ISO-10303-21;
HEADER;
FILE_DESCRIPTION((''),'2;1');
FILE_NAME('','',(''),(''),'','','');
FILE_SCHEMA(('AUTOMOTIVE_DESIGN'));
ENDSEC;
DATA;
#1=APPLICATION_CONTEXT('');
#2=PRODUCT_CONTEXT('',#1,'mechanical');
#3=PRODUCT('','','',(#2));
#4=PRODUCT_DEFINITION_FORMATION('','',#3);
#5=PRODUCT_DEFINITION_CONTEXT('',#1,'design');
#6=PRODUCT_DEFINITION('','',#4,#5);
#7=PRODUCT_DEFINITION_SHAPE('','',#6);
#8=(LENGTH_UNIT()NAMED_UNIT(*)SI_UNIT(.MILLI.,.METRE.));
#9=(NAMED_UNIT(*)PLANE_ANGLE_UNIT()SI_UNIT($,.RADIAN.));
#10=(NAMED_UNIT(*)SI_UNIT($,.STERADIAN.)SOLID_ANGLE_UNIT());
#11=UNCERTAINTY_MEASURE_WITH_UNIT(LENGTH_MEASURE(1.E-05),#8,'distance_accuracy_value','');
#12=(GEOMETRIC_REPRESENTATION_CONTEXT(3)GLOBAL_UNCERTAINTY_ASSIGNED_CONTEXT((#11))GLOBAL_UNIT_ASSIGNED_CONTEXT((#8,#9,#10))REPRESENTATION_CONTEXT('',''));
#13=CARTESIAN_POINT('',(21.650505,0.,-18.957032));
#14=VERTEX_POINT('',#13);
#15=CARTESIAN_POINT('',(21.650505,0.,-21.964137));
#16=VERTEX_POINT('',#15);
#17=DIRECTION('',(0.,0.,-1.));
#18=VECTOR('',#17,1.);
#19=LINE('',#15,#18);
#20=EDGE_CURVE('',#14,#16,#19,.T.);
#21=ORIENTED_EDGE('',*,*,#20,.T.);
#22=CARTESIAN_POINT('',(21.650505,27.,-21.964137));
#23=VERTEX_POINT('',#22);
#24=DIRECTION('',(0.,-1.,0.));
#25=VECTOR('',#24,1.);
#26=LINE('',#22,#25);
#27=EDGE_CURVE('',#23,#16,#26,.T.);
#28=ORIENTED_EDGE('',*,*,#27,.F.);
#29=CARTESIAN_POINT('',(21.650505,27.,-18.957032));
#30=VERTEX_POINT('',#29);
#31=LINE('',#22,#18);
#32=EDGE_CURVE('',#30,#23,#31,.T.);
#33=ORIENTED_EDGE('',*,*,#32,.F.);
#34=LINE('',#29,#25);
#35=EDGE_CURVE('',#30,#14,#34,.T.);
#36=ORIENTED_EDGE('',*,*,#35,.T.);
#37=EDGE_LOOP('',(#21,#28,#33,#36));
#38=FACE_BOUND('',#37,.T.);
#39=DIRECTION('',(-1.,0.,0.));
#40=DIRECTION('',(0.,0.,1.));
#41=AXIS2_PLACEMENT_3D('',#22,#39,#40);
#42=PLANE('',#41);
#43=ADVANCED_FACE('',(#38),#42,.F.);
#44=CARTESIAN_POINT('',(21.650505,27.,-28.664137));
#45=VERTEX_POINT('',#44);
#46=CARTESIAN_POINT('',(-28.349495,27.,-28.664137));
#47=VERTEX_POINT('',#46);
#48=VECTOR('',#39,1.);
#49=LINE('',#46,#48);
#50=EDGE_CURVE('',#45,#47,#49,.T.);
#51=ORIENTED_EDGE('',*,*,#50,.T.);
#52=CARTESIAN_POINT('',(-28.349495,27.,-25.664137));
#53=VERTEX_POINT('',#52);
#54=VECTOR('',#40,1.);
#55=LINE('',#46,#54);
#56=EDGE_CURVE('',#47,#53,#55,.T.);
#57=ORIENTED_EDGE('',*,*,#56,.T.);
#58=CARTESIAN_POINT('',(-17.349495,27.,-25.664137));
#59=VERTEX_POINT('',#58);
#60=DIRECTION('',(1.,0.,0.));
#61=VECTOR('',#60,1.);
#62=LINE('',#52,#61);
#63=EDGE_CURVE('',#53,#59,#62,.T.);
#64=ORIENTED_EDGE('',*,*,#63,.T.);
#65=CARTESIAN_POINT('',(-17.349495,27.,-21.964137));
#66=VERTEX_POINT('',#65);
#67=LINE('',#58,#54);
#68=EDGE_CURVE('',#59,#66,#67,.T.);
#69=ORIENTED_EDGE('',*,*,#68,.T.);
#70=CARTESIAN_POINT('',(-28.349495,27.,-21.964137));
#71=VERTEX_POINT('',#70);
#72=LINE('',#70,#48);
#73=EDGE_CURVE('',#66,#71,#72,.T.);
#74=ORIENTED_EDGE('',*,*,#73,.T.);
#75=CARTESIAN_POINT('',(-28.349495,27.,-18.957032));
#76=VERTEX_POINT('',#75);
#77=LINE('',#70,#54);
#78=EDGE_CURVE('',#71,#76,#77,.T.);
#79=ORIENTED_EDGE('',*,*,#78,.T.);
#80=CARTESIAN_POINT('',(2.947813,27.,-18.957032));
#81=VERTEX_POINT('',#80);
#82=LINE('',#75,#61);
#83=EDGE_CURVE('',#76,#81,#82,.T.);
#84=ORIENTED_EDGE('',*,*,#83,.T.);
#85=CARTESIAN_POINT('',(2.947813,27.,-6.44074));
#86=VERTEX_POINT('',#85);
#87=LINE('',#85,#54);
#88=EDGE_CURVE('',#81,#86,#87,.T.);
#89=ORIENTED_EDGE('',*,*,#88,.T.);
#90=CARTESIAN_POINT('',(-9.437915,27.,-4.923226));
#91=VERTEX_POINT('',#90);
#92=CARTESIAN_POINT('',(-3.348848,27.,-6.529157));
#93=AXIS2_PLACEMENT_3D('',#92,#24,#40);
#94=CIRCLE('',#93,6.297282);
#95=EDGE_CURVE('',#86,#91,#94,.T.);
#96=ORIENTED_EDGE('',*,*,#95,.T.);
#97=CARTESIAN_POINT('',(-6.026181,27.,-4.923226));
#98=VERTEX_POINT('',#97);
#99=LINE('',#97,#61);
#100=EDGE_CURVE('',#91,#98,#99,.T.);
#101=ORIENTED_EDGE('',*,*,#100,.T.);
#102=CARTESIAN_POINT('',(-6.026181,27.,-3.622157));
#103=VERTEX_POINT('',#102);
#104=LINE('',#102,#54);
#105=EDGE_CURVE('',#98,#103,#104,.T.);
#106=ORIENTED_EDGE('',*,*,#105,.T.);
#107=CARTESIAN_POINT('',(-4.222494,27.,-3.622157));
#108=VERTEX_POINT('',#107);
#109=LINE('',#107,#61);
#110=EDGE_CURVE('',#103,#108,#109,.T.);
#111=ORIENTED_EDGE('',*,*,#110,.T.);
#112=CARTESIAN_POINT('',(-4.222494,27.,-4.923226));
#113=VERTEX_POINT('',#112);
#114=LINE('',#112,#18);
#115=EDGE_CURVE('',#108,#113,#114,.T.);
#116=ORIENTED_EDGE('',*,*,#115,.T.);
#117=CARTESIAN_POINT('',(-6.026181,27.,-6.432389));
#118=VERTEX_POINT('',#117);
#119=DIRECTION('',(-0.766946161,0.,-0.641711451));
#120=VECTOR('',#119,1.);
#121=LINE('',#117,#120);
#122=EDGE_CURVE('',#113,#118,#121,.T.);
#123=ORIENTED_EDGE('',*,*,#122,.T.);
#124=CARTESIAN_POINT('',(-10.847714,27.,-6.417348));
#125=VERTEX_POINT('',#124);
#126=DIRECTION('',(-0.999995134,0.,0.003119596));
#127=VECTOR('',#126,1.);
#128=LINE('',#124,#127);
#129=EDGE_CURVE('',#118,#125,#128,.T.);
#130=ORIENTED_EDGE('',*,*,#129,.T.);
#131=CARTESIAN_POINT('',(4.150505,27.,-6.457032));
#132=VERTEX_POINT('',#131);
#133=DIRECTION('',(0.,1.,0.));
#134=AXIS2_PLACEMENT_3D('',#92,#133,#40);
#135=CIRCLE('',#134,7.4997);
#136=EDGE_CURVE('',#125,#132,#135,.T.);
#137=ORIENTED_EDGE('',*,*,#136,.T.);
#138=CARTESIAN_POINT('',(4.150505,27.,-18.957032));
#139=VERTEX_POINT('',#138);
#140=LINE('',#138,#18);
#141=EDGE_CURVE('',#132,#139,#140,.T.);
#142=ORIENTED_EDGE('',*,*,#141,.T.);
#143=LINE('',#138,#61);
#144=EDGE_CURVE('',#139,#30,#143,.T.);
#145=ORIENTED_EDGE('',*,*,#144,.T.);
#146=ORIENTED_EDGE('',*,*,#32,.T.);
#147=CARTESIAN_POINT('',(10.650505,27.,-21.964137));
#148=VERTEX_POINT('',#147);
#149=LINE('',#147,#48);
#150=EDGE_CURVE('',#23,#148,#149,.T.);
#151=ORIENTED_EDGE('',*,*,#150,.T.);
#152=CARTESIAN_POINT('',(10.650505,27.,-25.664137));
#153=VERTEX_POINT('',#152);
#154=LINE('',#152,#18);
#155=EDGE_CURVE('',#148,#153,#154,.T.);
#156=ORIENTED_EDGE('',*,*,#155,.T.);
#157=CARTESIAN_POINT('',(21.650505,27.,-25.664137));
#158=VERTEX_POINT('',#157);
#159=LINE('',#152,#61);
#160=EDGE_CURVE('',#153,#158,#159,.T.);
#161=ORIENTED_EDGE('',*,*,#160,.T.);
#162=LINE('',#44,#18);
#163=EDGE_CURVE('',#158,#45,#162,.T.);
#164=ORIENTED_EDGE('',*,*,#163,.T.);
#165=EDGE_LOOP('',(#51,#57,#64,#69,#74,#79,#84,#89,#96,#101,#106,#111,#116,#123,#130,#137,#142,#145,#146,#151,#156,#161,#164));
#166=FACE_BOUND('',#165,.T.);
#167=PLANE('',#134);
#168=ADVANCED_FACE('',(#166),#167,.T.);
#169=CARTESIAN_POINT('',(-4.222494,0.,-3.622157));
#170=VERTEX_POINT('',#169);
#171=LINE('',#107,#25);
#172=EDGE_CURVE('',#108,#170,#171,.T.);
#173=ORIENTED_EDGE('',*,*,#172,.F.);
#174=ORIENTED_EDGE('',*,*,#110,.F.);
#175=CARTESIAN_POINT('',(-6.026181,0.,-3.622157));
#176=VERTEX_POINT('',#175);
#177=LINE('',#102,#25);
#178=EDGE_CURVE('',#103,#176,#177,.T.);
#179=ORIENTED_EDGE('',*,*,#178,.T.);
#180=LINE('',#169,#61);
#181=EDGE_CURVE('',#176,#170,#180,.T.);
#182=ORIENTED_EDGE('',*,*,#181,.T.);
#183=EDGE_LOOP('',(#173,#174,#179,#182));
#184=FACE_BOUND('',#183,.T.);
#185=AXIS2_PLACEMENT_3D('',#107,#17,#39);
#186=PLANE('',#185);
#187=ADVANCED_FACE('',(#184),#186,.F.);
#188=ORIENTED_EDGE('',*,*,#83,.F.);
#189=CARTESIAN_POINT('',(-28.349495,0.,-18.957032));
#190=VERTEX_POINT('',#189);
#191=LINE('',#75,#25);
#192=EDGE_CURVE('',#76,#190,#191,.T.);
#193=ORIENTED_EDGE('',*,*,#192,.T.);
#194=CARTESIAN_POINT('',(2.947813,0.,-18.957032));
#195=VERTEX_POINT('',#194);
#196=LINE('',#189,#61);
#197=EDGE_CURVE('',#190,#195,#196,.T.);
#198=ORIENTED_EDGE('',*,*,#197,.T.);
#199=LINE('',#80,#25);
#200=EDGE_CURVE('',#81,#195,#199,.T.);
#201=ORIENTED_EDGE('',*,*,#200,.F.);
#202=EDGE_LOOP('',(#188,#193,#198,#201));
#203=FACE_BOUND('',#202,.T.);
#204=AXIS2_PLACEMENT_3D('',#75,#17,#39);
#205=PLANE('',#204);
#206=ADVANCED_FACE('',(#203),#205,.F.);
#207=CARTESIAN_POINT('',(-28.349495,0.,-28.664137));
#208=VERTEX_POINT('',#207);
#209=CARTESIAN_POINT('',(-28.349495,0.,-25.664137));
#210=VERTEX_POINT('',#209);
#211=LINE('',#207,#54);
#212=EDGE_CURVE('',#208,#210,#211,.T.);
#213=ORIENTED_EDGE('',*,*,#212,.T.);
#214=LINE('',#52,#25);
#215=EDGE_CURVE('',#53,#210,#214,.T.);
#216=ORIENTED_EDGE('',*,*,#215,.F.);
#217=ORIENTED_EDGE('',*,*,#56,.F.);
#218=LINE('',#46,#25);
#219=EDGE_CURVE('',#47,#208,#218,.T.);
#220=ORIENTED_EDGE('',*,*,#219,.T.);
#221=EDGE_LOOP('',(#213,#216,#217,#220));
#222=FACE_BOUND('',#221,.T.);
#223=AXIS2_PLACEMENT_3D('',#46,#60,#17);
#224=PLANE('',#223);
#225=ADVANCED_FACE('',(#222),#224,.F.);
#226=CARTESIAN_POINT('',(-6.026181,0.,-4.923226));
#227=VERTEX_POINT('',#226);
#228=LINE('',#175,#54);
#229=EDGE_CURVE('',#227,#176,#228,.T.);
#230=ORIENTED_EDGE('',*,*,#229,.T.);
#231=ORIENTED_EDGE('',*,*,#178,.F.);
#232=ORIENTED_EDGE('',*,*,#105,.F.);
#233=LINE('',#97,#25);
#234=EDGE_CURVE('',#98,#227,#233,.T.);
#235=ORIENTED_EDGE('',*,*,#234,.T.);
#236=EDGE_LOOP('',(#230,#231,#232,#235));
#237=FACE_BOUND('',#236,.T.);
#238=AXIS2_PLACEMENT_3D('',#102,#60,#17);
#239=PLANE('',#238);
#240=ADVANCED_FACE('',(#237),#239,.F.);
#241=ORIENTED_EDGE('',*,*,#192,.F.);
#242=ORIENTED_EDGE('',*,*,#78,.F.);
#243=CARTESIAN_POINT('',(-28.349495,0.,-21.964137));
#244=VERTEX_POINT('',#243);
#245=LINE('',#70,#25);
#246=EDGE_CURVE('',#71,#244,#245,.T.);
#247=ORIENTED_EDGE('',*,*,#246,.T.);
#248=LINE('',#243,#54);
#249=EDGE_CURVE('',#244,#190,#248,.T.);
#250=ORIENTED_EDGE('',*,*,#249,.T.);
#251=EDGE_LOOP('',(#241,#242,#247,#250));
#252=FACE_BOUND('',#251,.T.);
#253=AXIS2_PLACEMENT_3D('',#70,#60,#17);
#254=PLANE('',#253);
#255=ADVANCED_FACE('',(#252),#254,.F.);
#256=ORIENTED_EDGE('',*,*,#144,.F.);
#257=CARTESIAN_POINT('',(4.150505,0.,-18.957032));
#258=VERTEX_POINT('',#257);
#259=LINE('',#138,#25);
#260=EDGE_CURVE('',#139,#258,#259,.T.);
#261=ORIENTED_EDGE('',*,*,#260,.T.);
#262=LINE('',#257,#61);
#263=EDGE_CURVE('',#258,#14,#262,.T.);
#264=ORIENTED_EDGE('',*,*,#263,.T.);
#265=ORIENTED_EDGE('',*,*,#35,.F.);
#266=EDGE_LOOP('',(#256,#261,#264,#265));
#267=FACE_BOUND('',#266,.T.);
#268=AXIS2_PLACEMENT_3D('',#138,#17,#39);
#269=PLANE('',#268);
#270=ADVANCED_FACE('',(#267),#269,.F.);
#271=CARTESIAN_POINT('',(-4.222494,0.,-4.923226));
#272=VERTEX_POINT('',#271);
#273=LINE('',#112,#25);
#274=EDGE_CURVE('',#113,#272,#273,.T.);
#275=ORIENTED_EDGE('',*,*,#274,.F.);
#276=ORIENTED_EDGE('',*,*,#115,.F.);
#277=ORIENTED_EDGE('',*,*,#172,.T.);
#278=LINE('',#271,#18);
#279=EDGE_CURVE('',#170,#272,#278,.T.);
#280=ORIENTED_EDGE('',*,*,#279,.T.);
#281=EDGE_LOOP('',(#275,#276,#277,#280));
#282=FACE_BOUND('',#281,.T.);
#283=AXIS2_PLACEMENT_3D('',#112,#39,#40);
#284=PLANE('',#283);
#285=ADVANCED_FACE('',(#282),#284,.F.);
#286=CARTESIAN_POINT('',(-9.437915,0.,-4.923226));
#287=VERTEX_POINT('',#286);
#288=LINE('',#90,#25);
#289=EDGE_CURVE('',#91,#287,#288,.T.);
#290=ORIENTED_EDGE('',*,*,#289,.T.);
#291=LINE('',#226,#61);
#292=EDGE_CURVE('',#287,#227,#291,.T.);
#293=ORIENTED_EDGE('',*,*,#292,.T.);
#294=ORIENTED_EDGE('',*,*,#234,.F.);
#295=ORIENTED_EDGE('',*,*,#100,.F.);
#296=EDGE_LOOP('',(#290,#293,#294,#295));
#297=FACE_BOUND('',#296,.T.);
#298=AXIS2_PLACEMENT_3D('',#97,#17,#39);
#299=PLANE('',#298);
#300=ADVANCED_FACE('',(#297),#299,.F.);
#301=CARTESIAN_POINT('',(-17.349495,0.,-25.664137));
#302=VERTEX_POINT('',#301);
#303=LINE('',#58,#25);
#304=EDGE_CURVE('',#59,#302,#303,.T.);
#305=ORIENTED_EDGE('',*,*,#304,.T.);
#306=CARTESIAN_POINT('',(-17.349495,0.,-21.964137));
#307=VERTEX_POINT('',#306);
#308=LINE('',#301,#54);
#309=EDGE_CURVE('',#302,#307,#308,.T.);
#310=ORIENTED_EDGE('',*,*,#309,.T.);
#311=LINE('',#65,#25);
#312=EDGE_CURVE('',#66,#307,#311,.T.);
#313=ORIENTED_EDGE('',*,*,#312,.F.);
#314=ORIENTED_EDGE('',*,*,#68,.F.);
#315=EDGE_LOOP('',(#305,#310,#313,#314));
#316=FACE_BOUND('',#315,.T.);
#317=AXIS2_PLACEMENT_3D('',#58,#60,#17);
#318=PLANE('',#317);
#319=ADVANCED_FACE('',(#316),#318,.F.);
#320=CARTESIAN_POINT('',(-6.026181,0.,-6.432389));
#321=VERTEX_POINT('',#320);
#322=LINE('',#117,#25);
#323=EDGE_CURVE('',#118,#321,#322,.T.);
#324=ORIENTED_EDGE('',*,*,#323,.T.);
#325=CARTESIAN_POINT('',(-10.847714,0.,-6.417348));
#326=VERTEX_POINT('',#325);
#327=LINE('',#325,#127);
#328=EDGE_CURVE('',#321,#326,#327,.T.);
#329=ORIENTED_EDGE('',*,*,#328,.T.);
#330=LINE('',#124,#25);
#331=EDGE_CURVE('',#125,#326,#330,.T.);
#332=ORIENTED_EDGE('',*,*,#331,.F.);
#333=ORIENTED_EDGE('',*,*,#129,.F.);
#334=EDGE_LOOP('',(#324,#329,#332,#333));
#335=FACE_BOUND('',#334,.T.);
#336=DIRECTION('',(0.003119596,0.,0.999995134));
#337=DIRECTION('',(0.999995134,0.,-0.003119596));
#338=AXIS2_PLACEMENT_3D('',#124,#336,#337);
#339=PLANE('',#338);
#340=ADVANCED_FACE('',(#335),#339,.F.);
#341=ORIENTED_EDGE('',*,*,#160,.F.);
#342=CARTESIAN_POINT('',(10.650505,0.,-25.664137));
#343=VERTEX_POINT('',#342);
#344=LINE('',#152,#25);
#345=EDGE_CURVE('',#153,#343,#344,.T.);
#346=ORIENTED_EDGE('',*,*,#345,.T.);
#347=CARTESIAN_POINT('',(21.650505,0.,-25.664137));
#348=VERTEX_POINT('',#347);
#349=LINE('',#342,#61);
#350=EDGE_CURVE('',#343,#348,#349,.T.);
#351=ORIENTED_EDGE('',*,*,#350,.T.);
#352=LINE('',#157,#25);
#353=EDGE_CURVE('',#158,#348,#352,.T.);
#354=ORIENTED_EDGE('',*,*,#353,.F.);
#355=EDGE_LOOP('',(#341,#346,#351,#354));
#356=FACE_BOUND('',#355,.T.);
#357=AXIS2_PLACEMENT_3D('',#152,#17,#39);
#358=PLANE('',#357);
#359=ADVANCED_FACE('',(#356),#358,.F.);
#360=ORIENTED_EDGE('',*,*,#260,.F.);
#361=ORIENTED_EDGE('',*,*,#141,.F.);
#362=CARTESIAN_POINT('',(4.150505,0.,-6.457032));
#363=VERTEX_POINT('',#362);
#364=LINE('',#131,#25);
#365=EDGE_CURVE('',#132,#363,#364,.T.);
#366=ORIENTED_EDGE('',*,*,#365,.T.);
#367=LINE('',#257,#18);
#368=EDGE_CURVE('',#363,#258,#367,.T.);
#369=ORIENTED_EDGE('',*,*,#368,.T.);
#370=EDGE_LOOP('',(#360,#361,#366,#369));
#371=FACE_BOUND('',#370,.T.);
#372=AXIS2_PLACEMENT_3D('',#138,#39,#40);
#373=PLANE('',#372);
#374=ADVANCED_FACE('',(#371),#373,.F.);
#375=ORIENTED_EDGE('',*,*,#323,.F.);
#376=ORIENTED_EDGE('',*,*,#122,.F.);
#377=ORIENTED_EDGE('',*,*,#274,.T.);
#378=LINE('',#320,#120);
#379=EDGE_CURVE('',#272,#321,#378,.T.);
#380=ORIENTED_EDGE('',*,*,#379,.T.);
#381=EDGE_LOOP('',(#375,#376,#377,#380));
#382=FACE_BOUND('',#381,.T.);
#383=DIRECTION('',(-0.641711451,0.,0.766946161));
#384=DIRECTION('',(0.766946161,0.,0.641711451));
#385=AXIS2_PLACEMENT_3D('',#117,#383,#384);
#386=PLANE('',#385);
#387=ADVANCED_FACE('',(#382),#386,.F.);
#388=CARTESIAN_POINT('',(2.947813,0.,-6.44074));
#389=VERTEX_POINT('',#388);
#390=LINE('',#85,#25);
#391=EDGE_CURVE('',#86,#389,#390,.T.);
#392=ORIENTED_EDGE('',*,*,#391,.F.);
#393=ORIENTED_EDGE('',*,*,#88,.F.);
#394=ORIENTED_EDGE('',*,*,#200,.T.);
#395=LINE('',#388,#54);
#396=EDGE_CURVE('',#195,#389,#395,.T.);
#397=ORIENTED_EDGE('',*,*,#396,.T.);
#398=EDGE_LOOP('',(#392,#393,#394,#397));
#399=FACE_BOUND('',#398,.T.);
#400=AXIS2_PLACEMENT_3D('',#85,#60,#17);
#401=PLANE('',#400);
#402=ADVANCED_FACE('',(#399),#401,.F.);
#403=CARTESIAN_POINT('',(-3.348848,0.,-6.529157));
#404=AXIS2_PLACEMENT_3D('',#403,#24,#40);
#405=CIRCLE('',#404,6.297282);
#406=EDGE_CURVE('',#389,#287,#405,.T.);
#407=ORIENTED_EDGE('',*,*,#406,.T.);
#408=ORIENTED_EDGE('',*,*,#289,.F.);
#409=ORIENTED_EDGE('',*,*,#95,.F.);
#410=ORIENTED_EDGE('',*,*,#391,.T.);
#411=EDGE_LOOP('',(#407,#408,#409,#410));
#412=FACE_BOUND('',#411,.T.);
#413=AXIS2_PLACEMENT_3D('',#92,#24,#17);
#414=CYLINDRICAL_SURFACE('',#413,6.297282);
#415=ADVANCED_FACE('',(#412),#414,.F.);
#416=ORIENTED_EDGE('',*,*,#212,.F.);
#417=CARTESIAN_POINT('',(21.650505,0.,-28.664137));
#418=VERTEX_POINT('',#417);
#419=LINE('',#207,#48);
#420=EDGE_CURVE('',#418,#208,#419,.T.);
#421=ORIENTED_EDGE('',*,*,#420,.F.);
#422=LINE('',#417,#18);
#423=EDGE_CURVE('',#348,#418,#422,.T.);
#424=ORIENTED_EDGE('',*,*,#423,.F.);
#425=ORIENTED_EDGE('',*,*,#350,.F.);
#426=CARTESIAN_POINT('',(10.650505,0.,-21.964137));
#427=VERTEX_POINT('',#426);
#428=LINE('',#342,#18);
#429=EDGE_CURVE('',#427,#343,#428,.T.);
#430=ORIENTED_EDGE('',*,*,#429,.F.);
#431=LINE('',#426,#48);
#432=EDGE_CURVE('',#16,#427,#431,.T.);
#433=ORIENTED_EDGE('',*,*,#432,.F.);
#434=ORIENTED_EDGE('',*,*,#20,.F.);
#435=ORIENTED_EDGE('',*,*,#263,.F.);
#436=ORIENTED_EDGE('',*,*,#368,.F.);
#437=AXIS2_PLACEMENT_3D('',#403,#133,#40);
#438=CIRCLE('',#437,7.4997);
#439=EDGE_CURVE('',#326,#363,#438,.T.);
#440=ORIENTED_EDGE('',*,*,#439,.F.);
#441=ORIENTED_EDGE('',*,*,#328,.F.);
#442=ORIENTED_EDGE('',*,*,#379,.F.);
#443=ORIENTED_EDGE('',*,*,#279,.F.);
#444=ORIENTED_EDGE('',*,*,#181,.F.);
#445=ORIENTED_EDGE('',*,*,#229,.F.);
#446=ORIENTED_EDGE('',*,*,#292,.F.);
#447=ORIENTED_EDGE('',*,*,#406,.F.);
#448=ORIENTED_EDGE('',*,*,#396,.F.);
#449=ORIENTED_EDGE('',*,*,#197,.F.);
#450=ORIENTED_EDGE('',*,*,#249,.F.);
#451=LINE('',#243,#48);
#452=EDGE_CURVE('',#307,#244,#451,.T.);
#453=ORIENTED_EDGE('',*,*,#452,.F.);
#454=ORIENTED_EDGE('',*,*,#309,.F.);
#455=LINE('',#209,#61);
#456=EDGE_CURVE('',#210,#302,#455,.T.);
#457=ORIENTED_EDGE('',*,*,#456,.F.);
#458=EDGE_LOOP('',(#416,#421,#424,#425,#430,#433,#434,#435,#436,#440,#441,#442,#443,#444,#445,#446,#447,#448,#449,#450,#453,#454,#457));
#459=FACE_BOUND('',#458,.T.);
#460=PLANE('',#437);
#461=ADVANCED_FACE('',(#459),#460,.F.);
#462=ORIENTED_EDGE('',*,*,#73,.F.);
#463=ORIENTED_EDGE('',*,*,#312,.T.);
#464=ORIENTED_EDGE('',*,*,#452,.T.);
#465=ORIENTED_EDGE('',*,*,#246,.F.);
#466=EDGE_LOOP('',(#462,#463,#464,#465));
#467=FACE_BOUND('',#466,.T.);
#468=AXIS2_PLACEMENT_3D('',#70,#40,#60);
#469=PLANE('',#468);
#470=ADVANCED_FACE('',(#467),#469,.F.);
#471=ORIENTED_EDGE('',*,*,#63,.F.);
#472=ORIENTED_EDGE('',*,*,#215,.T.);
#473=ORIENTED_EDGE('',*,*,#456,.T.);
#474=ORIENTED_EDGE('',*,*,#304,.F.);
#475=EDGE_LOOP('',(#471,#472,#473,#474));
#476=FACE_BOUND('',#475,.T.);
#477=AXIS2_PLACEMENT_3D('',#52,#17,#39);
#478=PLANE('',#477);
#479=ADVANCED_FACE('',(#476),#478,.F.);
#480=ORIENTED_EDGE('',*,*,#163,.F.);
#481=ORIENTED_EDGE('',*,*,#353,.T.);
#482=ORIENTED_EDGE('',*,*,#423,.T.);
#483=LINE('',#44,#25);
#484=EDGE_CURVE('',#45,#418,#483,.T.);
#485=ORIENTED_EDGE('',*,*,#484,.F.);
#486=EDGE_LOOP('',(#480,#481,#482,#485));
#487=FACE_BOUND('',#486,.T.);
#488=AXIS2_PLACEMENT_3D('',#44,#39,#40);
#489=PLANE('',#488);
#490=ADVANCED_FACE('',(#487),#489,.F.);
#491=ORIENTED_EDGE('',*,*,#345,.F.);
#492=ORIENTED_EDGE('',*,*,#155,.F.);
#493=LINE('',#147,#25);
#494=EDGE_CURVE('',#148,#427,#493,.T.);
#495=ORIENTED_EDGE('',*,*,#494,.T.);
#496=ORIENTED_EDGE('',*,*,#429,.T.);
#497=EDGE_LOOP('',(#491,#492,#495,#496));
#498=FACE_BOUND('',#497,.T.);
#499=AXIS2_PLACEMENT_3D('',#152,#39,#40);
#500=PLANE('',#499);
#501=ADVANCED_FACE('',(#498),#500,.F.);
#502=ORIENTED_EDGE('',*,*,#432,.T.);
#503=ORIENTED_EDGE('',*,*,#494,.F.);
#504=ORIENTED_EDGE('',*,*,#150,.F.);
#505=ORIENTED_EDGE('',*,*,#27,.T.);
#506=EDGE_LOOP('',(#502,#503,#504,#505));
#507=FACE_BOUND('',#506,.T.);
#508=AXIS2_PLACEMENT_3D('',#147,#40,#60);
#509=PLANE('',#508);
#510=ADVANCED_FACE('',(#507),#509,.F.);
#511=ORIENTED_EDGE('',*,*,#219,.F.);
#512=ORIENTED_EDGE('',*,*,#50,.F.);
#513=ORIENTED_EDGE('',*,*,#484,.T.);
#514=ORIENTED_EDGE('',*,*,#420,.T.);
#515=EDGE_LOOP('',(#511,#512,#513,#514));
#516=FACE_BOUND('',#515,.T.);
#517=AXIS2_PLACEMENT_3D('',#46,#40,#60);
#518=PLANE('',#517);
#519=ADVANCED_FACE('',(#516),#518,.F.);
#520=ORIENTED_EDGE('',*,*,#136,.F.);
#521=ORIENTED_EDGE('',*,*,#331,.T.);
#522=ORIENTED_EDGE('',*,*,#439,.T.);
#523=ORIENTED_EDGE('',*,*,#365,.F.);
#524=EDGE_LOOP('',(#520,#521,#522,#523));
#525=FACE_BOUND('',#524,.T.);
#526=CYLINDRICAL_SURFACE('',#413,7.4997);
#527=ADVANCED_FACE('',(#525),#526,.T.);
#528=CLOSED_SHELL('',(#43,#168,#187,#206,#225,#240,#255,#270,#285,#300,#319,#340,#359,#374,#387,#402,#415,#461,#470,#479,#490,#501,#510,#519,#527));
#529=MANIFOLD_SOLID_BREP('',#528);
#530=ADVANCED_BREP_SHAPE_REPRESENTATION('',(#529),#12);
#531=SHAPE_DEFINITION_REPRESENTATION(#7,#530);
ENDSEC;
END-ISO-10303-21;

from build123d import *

# Parameters (mm, degrees)
BOSS_EXTRUDE2_DEPTH = 27


with BuildPart() as part:
    # Sketch2 → Boss-Extrude2 (new body)
    with BuildSketch(Plane(origin=(0, 0, 0), x_dir=(1, 0, 0), z_dir=(0, 1, 0))):
        with BuildLine():
            Line((-28.349494605, 21.964136687), (-17.349494605, 21.964136687))
            Line((-17.349494605, 21.964136687), (-17.349494605, 25.664136687))
            Line((-17.349494605, 25.664136687), (-28.349494605, 25.664136687))
            Line((-28.349494605, 25.664136687), (-28.349494605, 28.664136687))
            Line((-28.349494605, 28.664136687), (21.650505395, 28.664136687))
            Line((21.650505395, 28.664136687), (21.650505395, 25.664136687))
            Line((21.650505395, 25.664136687), (10.650505395, 25.664136687))
            Line((10.650505395, 25.664136687), (10.650505395, 21.964136687))
            Line((10.650505395, 21.964136687), (21.650505395, 21.964136687))
            Line((21.650505395, 21.964136687), (21.650505395, 18.957031621))
            Line((21.650505395, 18.957031621), (4.150505395, 18.957031621))
            Line((4.150505395, 18.957031621), (4.150505395, 6.457031621))
            ThreePointArc((4.150505395, 6.457031621), (-3.329004451, -0.970516956), (-10.847714263, 6.41734797))
            Line((-10.847714263, 6.41734797), (-6.026180838, 6.432389281))
            Line((-6.026180838, 6.432389281), (-4.222493535, 4.923226245))
            Line((-4.222493535, 4.923226245), (-4.222493535, 3.622157415))
            Line((-4.222493535, 3.622157415), (-6.026180838, 3.622157415))
            Line((-6.026180838, 3.622157415), (-6.026180838, 4.923226245))
            Line((-6.026180838, 4.923226245), (-9.437915177, 4.923226245))
            ThreePointArc((-9.437915177, 4.923226245), (-2.58302441, 0.278615253), (2.947813029, 6.440739557))
            Line((2.947813029, 6.440739557), (2.947813029, 18.957031621))
            Line((2.947813029, 18.957031621), (-28.349494605, 18.957031621))
            Line((-28.349494605, 18.957031621), (-28.349494605, 21.964136687))
        make_face()
    extrude(amount=BOSS_EXTRUDE2_DEPTH)


solid = part.part
